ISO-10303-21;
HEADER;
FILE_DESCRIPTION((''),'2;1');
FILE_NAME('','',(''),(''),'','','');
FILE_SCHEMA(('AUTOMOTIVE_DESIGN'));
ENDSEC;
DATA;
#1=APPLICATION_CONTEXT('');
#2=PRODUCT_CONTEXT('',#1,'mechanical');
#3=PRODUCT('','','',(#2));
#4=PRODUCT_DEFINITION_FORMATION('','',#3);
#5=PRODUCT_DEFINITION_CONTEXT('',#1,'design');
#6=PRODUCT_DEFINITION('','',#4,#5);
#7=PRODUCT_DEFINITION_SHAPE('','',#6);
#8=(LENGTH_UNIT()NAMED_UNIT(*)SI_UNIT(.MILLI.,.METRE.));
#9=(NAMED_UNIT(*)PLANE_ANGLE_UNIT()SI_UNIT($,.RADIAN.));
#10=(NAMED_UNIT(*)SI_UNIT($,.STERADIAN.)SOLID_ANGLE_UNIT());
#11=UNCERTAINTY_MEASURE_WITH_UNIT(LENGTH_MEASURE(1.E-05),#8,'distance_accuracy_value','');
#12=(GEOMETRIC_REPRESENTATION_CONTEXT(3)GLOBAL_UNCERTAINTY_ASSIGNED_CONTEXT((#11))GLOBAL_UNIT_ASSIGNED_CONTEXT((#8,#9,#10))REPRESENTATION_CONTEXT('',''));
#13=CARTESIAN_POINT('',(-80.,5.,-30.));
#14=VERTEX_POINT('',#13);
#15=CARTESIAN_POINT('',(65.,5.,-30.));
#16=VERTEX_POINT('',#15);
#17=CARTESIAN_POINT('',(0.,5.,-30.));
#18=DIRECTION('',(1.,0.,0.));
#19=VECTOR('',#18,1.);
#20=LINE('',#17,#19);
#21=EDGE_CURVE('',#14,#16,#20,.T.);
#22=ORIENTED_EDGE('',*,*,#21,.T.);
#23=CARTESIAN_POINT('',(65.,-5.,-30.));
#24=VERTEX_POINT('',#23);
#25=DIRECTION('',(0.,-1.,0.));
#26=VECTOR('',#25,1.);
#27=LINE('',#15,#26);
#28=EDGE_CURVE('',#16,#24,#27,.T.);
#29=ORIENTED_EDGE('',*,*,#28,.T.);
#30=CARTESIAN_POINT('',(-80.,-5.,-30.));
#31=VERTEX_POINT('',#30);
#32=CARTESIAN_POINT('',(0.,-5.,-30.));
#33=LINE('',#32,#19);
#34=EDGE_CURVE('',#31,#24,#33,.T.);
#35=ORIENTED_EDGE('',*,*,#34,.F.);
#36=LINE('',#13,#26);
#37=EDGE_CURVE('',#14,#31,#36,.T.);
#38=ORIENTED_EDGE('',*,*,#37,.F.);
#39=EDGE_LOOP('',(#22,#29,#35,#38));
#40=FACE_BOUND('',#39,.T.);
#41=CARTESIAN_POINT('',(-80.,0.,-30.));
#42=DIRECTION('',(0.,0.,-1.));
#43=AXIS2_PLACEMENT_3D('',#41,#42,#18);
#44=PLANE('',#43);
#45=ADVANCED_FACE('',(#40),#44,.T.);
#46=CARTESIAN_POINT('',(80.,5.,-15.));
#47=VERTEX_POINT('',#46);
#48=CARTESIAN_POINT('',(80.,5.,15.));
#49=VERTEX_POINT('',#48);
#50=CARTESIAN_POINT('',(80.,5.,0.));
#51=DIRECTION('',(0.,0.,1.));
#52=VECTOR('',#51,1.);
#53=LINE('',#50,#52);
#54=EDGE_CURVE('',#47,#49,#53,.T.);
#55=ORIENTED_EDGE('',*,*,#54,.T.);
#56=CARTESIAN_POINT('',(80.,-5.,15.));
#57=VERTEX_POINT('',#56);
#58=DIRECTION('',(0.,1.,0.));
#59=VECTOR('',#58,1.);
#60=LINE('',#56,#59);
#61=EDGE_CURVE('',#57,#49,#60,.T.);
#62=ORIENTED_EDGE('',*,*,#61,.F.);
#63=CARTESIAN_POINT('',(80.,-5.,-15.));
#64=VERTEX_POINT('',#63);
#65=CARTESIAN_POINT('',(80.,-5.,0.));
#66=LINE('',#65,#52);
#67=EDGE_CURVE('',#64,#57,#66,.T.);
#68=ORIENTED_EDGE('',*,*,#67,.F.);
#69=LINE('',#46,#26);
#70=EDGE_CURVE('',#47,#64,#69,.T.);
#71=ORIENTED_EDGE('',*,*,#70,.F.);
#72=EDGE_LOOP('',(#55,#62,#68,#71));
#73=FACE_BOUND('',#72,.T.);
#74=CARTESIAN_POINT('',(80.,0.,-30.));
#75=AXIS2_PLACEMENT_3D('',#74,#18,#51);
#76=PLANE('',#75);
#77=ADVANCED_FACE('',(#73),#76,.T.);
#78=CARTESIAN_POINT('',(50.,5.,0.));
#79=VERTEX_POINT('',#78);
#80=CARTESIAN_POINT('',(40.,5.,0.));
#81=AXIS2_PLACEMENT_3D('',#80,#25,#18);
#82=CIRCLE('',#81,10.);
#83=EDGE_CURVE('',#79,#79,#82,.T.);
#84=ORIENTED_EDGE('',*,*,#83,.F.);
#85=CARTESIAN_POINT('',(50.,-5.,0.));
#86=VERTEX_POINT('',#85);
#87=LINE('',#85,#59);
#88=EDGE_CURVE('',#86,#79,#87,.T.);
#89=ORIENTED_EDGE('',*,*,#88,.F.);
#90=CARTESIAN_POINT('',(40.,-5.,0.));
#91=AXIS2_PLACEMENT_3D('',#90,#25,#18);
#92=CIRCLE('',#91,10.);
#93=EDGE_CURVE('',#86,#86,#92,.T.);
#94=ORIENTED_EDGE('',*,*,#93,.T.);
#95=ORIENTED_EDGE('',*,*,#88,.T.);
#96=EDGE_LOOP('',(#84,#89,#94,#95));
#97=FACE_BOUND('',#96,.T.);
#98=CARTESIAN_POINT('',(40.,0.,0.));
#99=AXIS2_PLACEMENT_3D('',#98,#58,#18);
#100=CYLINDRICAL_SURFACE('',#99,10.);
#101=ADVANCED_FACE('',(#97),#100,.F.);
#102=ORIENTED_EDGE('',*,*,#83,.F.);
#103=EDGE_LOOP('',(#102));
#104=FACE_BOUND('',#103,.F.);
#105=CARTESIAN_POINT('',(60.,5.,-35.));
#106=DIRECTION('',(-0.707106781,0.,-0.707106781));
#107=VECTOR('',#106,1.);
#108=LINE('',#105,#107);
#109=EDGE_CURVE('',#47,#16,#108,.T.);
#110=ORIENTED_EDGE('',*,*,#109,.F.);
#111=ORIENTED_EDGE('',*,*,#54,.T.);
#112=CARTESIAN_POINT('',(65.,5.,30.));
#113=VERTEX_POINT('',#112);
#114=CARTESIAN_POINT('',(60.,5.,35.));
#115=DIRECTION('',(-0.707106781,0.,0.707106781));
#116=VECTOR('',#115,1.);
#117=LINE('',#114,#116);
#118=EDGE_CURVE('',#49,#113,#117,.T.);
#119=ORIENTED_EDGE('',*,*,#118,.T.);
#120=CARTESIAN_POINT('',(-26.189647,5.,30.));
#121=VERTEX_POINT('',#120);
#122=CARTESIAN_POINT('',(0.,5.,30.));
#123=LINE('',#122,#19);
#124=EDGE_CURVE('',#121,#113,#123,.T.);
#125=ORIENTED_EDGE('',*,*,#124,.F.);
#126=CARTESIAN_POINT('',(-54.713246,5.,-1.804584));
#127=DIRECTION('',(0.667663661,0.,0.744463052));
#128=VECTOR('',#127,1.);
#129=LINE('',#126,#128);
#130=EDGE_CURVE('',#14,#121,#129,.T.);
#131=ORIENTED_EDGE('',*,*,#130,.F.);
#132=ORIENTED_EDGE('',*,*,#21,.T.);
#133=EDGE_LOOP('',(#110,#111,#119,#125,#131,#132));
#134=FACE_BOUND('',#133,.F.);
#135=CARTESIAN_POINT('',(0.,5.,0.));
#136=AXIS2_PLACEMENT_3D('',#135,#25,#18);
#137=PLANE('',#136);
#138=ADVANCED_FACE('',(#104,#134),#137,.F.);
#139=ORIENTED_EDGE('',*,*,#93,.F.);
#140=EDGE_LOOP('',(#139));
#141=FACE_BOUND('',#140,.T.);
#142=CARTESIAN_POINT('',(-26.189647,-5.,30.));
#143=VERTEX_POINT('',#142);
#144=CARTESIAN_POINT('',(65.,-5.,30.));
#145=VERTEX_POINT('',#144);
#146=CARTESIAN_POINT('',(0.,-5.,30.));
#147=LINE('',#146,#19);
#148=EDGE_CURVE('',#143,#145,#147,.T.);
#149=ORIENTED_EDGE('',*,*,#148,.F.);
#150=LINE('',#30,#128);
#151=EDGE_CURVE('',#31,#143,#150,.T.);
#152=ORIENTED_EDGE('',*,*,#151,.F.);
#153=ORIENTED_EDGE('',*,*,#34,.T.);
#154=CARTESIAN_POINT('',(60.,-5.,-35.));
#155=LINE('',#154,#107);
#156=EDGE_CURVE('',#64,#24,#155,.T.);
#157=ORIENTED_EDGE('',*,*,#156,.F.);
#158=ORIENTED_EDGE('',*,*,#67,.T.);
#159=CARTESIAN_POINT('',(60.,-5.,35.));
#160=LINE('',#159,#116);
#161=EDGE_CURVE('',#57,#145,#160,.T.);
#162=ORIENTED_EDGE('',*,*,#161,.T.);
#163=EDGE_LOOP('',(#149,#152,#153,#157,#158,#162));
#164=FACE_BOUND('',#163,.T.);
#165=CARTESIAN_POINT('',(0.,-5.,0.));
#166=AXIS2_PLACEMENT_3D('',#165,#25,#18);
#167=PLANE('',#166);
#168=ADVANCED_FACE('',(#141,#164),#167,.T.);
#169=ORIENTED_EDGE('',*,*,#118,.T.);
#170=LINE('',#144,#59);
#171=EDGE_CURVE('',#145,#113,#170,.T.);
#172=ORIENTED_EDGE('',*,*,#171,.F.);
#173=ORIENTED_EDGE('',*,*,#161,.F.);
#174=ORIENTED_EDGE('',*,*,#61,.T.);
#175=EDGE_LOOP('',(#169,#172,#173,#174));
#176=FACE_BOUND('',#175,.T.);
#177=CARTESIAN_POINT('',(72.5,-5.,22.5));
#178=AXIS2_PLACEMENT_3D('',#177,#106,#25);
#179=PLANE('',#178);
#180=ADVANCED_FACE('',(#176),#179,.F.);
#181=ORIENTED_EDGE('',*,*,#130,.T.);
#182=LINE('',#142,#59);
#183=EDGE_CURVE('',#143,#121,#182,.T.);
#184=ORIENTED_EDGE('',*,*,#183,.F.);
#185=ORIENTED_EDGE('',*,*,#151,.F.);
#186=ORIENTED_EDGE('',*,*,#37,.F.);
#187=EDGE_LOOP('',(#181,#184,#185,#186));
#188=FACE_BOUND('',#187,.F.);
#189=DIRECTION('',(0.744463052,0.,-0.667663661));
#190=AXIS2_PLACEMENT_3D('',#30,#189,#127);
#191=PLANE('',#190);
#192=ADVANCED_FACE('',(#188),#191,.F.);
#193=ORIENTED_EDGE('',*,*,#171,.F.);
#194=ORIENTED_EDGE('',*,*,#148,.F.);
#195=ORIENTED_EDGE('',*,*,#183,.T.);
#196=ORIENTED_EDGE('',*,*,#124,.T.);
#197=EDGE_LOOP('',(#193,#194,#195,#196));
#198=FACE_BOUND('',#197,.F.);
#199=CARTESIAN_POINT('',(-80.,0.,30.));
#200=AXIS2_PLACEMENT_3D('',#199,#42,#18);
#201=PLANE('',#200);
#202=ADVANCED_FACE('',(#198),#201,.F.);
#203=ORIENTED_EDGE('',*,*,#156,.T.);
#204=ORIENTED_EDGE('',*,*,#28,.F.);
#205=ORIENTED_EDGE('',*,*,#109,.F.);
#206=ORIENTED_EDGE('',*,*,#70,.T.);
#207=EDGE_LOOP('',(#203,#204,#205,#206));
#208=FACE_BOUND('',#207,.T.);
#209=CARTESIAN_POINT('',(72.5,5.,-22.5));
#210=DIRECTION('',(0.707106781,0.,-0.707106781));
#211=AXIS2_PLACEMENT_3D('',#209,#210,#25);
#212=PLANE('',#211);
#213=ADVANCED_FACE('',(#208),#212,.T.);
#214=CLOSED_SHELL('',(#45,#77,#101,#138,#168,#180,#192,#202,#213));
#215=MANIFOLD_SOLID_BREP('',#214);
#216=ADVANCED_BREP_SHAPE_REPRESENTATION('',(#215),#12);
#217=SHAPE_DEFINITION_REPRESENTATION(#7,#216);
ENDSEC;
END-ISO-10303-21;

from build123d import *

# Parameters (mm, degrees)
F0_W     = 160
F0_H     = 60
F0_R     = 10
F1_DEPTH = 5
F2_SIZE  = 15
F4_DEPTH = 25


with BuildPart() as f1:
    # F0 (on Front) → F1 (new body, symmetric)
    with BuildSketch(Plane.XZ):
        Rectangle(F0_W, F0_H)
        with Locations((40, 0)):
            Circle(F0_R, mode=Mode.SUBTRACT)
    extrude(amount=F1_DEPTH, both=True)

    # F2
    f2_edges = [f1.edges().sort_by_distance(p)[0] for p in [
        (80, 0, 30),
        (80, 0, -30),
    ]]
    chamfer(f2_edges, length=F2_SIZE)

    # F3 (on face) → F4 (cut)
    with BuildSketch(Plane.XZ.offset(5)):
        Polygon((-80, 30), (-80, -30), (-26.189647, 30), align=None)
    extrude(amount=-F4_DEPTH, mode=Mode.SUBTRACT)


solid = f1.part
